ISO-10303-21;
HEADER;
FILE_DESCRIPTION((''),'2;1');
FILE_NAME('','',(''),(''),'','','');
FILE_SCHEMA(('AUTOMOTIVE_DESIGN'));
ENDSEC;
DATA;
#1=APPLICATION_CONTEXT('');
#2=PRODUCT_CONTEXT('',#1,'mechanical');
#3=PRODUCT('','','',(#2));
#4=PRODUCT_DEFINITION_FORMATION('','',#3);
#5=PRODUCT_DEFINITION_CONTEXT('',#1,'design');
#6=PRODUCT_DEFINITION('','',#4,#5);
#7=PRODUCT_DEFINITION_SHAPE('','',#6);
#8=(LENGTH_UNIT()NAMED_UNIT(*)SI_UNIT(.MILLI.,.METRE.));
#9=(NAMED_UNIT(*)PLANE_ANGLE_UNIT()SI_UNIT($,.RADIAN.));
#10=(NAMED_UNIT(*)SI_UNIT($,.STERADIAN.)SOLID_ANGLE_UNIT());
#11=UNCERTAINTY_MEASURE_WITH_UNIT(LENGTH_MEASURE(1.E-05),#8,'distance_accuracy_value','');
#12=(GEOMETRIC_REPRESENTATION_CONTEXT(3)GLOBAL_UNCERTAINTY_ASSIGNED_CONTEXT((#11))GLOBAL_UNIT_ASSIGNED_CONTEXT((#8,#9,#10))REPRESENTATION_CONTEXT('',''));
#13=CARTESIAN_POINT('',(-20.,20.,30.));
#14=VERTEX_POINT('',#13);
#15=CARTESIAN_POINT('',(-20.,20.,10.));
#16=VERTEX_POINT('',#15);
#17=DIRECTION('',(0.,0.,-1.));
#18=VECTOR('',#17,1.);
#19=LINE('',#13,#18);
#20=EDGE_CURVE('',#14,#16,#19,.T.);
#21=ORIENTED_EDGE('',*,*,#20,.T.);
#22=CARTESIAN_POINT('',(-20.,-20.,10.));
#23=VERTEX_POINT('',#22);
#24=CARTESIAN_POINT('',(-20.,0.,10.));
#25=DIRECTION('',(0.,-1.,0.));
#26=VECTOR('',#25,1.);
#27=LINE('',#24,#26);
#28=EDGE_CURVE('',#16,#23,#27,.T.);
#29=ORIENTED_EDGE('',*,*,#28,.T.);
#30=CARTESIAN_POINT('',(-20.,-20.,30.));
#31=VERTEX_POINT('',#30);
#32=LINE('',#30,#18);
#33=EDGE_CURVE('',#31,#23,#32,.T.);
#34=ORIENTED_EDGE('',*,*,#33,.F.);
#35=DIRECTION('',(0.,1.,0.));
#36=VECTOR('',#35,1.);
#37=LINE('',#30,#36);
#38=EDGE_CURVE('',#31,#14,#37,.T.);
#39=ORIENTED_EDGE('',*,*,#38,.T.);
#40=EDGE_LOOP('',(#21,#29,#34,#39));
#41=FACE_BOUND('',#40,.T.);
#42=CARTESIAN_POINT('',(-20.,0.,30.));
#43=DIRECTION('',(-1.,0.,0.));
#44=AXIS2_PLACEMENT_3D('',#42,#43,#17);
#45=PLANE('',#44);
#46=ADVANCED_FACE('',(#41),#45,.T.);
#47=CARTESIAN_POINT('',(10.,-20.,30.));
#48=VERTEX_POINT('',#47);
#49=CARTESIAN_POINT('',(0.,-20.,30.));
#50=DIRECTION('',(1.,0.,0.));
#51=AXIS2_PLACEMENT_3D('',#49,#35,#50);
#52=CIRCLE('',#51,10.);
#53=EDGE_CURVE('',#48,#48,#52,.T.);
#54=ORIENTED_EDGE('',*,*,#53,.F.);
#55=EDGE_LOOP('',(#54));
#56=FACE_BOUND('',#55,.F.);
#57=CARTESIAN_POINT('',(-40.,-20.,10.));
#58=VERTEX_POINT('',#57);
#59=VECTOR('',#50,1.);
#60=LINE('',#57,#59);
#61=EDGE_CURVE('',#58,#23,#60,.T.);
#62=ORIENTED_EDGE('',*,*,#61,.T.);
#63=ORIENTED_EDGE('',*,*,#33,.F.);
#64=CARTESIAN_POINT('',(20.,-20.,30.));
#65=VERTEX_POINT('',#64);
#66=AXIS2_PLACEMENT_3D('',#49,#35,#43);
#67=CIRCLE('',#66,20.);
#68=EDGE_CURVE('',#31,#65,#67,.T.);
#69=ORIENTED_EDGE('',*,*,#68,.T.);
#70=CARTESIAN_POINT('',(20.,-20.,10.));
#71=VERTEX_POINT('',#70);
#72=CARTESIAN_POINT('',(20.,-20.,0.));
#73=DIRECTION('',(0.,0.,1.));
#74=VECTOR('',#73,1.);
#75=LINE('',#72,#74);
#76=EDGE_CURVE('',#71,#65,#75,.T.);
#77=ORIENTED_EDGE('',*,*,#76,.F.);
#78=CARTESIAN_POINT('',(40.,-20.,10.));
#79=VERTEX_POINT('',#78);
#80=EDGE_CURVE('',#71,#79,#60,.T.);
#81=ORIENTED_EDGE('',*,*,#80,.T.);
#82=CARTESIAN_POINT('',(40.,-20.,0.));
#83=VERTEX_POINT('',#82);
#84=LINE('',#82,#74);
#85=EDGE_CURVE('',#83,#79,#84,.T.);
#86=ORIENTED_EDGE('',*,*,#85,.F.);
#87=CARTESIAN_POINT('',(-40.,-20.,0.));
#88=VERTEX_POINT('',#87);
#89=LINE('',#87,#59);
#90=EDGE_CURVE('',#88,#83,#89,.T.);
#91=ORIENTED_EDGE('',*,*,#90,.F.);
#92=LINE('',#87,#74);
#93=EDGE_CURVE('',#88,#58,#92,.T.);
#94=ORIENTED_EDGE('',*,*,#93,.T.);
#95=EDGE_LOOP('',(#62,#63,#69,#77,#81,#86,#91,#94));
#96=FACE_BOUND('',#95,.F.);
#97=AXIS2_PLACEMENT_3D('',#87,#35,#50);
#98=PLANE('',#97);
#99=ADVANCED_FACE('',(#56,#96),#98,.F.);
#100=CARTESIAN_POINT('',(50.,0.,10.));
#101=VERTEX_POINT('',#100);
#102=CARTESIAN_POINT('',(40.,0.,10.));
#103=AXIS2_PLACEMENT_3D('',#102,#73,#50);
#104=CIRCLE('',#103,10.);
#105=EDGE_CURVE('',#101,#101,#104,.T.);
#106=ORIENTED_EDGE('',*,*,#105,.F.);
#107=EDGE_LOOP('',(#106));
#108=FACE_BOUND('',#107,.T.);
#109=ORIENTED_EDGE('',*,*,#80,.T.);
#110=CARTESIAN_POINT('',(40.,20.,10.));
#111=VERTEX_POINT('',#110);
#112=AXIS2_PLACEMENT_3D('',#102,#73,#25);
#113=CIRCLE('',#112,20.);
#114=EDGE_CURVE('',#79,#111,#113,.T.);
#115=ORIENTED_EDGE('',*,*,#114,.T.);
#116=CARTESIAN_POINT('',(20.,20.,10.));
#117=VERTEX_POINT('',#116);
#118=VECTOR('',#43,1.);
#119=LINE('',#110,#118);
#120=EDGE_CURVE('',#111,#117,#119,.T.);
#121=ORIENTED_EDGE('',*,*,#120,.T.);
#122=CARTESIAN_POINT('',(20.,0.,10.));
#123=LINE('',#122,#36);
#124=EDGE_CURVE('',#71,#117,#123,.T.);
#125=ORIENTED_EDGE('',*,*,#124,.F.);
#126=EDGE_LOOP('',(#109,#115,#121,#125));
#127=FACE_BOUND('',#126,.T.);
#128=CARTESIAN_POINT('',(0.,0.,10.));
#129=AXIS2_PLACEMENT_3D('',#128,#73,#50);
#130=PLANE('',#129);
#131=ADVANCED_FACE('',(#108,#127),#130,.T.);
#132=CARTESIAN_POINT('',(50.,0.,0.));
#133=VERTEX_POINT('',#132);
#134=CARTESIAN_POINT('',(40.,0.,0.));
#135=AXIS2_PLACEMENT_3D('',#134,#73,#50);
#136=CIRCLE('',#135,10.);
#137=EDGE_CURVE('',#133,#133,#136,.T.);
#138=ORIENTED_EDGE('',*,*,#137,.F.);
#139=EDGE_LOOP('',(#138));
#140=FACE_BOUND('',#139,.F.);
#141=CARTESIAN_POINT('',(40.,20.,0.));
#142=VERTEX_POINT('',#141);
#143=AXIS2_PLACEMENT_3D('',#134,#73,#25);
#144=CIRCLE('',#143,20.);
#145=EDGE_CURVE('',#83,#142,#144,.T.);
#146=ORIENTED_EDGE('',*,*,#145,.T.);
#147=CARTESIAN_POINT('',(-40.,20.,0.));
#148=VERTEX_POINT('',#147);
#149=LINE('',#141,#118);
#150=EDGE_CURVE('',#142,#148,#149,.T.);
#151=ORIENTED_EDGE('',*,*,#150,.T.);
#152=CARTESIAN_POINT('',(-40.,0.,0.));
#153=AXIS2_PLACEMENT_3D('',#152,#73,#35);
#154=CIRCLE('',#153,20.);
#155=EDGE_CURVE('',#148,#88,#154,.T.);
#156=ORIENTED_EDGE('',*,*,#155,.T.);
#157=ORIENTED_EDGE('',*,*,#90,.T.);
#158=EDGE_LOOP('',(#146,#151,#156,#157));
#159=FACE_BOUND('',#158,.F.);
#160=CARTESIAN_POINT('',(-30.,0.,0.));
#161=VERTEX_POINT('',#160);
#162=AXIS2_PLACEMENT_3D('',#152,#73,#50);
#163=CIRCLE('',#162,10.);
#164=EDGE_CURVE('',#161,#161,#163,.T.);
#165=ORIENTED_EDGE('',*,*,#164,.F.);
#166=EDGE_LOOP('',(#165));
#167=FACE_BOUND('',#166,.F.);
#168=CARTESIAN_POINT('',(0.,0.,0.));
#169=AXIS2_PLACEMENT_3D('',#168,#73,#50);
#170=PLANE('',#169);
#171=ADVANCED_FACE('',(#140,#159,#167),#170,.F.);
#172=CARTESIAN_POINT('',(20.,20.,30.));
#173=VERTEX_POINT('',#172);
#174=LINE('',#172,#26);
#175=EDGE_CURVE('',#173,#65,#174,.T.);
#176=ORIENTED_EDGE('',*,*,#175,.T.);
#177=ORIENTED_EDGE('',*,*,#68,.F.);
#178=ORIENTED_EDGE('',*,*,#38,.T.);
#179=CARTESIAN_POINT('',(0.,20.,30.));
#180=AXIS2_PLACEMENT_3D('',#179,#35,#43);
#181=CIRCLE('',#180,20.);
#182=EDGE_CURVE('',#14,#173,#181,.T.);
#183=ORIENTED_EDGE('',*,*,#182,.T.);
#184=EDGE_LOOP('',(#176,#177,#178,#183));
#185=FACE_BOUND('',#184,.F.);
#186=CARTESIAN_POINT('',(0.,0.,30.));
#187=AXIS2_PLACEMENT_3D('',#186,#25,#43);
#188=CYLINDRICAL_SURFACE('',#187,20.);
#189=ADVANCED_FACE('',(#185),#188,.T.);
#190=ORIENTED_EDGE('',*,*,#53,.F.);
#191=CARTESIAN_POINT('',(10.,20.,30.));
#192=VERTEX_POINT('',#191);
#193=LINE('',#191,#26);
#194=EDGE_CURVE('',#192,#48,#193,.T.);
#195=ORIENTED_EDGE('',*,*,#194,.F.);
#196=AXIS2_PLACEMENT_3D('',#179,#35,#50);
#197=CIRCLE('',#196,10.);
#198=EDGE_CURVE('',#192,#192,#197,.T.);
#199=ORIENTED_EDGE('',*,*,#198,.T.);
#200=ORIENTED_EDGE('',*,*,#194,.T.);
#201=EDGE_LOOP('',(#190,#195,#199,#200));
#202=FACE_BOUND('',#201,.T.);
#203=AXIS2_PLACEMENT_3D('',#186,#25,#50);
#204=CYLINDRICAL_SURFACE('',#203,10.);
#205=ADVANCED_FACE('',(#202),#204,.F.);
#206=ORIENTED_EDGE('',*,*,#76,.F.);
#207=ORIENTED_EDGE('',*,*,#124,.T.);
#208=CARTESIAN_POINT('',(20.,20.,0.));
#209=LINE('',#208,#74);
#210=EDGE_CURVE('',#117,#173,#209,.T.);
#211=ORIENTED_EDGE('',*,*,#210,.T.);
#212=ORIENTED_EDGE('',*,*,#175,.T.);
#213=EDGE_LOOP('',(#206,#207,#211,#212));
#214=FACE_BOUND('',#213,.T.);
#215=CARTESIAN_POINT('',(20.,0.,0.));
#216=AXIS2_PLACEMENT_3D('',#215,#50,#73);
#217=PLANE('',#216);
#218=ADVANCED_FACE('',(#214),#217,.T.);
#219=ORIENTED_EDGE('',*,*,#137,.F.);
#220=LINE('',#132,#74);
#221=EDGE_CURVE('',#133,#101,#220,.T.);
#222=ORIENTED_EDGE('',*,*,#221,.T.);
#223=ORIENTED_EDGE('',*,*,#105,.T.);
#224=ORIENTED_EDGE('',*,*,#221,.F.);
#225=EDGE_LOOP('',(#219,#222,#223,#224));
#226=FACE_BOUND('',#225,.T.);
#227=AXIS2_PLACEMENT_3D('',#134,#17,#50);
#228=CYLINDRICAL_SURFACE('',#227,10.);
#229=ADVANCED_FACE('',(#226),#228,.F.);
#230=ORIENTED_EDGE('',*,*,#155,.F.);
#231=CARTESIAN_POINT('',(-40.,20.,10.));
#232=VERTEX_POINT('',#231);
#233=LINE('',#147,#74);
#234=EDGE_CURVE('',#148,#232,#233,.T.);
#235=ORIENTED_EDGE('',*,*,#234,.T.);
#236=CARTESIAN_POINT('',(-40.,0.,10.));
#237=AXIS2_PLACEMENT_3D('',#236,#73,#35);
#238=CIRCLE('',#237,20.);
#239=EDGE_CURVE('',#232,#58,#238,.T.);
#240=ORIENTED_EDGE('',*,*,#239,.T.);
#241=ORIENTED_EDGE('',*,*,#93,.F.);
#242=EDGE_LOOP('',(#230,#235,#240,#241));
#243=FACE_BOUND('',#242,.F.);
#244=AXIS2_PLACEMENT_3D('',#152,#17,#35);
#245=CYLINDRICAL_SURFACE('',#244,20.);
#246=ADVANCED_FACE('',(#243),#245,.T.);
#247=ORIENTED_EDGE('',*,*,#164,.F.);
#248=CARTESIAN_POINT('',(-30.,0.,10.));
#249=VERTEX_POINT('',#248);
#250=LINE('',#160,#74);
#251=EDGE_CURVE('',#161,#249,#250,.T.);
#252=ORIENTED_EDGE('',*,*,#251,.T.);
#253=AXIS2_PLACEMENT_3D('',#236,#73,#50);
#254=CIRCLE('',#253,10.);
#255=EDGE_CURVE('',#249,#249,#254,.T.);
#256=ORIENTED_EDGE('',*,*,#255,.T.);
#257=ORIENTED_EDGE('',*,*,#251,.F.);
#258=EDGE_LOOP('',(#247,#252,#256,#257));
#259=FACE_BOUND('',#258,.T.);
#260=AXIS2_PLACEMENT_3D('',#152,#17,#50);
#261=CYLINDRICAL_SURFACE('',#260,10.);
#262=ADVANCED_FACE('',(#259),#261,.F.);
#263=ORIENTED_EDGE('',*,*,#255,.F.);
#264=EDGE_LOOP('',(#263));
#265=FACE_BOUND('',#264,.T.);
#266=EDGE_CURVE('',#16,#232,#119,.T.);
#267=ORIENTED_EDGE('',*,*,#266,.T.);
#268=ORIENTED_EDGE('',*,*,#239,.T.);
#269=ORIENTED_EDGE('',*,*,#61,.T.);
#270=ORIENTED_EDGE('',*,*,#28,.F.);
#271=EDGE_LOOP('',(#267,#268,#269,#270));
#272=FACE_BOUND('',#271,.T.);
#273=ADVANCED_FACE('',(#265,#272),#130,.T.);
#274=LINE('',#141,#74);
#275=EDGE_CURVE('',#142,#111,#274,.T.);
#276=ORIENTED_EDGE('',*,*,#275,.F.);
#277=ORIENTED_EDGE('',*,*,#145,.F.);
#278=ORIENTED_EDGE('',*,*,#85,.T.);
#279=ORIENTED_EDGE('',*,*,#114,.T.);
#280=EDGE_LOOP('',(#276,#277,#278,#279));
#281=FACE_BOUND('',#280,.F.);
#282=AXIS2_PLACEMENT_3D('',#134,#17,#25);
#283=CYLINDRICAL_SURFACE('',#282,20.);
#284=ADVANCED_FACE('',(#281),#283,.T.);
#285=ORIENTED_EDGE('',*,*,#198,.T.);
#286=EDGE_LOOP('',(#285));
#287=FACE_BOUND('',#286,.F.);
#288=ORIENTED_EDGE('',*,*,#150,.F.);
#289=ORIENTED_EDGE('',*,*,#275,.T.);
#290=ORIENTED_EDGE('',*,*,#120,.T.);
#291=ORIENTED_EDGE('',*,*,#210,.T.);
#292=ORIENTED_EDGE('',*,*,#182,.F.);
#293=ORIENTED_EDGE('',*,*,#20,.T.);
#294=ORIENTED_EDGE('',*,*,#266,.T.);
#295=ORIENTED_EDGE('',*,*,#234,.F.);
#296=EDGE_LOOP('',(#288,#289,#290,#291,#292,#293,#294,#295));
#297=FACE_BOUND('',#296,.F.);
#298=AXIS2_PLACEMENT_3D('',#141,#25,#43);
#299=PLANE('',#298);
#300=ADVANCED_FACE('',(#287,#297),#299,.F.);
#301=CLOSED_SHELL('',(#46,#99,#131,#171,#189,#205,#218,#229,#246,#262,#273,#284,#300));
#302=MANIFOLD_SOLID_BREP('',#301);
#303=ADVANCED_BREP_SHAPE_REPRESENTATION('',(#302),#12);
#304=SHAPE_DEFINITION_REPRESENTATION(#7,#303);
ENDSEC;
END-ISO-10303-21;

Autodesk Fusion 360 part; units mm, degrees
sketch "Sketch1" plane through (0, 0, 0) normal (0, 0, 1) x (1, 0, 0)
  line L0 (40, 20) -> (-40, 20)
  line L1 (-40, -20) -> (40, -20)
  circle A0 centre (40, 0) radius 10
  circle A1 centre (-40, 0) radius 10
  arc A2 (-40, 20) -> (-40, -20) centre (-40, 0) ccw
  arc A3 (40, -20) -> (40, 20) centre (40, 0) ccw
  dimension "d1" = 80
  dimension "d2" = 40
  dimension "d5" = 40
  dimension "d6" = 40
extrude "Extrude1" add sketch "Sketch1" along normal blind 10
sketch "Sketch2" plane through (0, 0, 0) normal (0, 1, 0) x (1, 0, 0)
  line L0 (-20, 0) -> (20, 0)
  line L1 (20, 0) -> (20, -30)
  line L2 (-20, -30) -> (-20, 0)
  line L3 (-40, 0) -> (-40, -10)
  circle A0 centre (0, -30) radius 10
  arc A1 (-20, -30) -> (20, -30) centre (0, -30) ccw
  dimension "d11" = 40
  dimension "d12" = 30
  dimension "d13" = 20
  dimension "d15" = 20
  dimension "d16" = 20
extrude "Extrude2" add sketch "Sketch2" along normal mid plane 40
